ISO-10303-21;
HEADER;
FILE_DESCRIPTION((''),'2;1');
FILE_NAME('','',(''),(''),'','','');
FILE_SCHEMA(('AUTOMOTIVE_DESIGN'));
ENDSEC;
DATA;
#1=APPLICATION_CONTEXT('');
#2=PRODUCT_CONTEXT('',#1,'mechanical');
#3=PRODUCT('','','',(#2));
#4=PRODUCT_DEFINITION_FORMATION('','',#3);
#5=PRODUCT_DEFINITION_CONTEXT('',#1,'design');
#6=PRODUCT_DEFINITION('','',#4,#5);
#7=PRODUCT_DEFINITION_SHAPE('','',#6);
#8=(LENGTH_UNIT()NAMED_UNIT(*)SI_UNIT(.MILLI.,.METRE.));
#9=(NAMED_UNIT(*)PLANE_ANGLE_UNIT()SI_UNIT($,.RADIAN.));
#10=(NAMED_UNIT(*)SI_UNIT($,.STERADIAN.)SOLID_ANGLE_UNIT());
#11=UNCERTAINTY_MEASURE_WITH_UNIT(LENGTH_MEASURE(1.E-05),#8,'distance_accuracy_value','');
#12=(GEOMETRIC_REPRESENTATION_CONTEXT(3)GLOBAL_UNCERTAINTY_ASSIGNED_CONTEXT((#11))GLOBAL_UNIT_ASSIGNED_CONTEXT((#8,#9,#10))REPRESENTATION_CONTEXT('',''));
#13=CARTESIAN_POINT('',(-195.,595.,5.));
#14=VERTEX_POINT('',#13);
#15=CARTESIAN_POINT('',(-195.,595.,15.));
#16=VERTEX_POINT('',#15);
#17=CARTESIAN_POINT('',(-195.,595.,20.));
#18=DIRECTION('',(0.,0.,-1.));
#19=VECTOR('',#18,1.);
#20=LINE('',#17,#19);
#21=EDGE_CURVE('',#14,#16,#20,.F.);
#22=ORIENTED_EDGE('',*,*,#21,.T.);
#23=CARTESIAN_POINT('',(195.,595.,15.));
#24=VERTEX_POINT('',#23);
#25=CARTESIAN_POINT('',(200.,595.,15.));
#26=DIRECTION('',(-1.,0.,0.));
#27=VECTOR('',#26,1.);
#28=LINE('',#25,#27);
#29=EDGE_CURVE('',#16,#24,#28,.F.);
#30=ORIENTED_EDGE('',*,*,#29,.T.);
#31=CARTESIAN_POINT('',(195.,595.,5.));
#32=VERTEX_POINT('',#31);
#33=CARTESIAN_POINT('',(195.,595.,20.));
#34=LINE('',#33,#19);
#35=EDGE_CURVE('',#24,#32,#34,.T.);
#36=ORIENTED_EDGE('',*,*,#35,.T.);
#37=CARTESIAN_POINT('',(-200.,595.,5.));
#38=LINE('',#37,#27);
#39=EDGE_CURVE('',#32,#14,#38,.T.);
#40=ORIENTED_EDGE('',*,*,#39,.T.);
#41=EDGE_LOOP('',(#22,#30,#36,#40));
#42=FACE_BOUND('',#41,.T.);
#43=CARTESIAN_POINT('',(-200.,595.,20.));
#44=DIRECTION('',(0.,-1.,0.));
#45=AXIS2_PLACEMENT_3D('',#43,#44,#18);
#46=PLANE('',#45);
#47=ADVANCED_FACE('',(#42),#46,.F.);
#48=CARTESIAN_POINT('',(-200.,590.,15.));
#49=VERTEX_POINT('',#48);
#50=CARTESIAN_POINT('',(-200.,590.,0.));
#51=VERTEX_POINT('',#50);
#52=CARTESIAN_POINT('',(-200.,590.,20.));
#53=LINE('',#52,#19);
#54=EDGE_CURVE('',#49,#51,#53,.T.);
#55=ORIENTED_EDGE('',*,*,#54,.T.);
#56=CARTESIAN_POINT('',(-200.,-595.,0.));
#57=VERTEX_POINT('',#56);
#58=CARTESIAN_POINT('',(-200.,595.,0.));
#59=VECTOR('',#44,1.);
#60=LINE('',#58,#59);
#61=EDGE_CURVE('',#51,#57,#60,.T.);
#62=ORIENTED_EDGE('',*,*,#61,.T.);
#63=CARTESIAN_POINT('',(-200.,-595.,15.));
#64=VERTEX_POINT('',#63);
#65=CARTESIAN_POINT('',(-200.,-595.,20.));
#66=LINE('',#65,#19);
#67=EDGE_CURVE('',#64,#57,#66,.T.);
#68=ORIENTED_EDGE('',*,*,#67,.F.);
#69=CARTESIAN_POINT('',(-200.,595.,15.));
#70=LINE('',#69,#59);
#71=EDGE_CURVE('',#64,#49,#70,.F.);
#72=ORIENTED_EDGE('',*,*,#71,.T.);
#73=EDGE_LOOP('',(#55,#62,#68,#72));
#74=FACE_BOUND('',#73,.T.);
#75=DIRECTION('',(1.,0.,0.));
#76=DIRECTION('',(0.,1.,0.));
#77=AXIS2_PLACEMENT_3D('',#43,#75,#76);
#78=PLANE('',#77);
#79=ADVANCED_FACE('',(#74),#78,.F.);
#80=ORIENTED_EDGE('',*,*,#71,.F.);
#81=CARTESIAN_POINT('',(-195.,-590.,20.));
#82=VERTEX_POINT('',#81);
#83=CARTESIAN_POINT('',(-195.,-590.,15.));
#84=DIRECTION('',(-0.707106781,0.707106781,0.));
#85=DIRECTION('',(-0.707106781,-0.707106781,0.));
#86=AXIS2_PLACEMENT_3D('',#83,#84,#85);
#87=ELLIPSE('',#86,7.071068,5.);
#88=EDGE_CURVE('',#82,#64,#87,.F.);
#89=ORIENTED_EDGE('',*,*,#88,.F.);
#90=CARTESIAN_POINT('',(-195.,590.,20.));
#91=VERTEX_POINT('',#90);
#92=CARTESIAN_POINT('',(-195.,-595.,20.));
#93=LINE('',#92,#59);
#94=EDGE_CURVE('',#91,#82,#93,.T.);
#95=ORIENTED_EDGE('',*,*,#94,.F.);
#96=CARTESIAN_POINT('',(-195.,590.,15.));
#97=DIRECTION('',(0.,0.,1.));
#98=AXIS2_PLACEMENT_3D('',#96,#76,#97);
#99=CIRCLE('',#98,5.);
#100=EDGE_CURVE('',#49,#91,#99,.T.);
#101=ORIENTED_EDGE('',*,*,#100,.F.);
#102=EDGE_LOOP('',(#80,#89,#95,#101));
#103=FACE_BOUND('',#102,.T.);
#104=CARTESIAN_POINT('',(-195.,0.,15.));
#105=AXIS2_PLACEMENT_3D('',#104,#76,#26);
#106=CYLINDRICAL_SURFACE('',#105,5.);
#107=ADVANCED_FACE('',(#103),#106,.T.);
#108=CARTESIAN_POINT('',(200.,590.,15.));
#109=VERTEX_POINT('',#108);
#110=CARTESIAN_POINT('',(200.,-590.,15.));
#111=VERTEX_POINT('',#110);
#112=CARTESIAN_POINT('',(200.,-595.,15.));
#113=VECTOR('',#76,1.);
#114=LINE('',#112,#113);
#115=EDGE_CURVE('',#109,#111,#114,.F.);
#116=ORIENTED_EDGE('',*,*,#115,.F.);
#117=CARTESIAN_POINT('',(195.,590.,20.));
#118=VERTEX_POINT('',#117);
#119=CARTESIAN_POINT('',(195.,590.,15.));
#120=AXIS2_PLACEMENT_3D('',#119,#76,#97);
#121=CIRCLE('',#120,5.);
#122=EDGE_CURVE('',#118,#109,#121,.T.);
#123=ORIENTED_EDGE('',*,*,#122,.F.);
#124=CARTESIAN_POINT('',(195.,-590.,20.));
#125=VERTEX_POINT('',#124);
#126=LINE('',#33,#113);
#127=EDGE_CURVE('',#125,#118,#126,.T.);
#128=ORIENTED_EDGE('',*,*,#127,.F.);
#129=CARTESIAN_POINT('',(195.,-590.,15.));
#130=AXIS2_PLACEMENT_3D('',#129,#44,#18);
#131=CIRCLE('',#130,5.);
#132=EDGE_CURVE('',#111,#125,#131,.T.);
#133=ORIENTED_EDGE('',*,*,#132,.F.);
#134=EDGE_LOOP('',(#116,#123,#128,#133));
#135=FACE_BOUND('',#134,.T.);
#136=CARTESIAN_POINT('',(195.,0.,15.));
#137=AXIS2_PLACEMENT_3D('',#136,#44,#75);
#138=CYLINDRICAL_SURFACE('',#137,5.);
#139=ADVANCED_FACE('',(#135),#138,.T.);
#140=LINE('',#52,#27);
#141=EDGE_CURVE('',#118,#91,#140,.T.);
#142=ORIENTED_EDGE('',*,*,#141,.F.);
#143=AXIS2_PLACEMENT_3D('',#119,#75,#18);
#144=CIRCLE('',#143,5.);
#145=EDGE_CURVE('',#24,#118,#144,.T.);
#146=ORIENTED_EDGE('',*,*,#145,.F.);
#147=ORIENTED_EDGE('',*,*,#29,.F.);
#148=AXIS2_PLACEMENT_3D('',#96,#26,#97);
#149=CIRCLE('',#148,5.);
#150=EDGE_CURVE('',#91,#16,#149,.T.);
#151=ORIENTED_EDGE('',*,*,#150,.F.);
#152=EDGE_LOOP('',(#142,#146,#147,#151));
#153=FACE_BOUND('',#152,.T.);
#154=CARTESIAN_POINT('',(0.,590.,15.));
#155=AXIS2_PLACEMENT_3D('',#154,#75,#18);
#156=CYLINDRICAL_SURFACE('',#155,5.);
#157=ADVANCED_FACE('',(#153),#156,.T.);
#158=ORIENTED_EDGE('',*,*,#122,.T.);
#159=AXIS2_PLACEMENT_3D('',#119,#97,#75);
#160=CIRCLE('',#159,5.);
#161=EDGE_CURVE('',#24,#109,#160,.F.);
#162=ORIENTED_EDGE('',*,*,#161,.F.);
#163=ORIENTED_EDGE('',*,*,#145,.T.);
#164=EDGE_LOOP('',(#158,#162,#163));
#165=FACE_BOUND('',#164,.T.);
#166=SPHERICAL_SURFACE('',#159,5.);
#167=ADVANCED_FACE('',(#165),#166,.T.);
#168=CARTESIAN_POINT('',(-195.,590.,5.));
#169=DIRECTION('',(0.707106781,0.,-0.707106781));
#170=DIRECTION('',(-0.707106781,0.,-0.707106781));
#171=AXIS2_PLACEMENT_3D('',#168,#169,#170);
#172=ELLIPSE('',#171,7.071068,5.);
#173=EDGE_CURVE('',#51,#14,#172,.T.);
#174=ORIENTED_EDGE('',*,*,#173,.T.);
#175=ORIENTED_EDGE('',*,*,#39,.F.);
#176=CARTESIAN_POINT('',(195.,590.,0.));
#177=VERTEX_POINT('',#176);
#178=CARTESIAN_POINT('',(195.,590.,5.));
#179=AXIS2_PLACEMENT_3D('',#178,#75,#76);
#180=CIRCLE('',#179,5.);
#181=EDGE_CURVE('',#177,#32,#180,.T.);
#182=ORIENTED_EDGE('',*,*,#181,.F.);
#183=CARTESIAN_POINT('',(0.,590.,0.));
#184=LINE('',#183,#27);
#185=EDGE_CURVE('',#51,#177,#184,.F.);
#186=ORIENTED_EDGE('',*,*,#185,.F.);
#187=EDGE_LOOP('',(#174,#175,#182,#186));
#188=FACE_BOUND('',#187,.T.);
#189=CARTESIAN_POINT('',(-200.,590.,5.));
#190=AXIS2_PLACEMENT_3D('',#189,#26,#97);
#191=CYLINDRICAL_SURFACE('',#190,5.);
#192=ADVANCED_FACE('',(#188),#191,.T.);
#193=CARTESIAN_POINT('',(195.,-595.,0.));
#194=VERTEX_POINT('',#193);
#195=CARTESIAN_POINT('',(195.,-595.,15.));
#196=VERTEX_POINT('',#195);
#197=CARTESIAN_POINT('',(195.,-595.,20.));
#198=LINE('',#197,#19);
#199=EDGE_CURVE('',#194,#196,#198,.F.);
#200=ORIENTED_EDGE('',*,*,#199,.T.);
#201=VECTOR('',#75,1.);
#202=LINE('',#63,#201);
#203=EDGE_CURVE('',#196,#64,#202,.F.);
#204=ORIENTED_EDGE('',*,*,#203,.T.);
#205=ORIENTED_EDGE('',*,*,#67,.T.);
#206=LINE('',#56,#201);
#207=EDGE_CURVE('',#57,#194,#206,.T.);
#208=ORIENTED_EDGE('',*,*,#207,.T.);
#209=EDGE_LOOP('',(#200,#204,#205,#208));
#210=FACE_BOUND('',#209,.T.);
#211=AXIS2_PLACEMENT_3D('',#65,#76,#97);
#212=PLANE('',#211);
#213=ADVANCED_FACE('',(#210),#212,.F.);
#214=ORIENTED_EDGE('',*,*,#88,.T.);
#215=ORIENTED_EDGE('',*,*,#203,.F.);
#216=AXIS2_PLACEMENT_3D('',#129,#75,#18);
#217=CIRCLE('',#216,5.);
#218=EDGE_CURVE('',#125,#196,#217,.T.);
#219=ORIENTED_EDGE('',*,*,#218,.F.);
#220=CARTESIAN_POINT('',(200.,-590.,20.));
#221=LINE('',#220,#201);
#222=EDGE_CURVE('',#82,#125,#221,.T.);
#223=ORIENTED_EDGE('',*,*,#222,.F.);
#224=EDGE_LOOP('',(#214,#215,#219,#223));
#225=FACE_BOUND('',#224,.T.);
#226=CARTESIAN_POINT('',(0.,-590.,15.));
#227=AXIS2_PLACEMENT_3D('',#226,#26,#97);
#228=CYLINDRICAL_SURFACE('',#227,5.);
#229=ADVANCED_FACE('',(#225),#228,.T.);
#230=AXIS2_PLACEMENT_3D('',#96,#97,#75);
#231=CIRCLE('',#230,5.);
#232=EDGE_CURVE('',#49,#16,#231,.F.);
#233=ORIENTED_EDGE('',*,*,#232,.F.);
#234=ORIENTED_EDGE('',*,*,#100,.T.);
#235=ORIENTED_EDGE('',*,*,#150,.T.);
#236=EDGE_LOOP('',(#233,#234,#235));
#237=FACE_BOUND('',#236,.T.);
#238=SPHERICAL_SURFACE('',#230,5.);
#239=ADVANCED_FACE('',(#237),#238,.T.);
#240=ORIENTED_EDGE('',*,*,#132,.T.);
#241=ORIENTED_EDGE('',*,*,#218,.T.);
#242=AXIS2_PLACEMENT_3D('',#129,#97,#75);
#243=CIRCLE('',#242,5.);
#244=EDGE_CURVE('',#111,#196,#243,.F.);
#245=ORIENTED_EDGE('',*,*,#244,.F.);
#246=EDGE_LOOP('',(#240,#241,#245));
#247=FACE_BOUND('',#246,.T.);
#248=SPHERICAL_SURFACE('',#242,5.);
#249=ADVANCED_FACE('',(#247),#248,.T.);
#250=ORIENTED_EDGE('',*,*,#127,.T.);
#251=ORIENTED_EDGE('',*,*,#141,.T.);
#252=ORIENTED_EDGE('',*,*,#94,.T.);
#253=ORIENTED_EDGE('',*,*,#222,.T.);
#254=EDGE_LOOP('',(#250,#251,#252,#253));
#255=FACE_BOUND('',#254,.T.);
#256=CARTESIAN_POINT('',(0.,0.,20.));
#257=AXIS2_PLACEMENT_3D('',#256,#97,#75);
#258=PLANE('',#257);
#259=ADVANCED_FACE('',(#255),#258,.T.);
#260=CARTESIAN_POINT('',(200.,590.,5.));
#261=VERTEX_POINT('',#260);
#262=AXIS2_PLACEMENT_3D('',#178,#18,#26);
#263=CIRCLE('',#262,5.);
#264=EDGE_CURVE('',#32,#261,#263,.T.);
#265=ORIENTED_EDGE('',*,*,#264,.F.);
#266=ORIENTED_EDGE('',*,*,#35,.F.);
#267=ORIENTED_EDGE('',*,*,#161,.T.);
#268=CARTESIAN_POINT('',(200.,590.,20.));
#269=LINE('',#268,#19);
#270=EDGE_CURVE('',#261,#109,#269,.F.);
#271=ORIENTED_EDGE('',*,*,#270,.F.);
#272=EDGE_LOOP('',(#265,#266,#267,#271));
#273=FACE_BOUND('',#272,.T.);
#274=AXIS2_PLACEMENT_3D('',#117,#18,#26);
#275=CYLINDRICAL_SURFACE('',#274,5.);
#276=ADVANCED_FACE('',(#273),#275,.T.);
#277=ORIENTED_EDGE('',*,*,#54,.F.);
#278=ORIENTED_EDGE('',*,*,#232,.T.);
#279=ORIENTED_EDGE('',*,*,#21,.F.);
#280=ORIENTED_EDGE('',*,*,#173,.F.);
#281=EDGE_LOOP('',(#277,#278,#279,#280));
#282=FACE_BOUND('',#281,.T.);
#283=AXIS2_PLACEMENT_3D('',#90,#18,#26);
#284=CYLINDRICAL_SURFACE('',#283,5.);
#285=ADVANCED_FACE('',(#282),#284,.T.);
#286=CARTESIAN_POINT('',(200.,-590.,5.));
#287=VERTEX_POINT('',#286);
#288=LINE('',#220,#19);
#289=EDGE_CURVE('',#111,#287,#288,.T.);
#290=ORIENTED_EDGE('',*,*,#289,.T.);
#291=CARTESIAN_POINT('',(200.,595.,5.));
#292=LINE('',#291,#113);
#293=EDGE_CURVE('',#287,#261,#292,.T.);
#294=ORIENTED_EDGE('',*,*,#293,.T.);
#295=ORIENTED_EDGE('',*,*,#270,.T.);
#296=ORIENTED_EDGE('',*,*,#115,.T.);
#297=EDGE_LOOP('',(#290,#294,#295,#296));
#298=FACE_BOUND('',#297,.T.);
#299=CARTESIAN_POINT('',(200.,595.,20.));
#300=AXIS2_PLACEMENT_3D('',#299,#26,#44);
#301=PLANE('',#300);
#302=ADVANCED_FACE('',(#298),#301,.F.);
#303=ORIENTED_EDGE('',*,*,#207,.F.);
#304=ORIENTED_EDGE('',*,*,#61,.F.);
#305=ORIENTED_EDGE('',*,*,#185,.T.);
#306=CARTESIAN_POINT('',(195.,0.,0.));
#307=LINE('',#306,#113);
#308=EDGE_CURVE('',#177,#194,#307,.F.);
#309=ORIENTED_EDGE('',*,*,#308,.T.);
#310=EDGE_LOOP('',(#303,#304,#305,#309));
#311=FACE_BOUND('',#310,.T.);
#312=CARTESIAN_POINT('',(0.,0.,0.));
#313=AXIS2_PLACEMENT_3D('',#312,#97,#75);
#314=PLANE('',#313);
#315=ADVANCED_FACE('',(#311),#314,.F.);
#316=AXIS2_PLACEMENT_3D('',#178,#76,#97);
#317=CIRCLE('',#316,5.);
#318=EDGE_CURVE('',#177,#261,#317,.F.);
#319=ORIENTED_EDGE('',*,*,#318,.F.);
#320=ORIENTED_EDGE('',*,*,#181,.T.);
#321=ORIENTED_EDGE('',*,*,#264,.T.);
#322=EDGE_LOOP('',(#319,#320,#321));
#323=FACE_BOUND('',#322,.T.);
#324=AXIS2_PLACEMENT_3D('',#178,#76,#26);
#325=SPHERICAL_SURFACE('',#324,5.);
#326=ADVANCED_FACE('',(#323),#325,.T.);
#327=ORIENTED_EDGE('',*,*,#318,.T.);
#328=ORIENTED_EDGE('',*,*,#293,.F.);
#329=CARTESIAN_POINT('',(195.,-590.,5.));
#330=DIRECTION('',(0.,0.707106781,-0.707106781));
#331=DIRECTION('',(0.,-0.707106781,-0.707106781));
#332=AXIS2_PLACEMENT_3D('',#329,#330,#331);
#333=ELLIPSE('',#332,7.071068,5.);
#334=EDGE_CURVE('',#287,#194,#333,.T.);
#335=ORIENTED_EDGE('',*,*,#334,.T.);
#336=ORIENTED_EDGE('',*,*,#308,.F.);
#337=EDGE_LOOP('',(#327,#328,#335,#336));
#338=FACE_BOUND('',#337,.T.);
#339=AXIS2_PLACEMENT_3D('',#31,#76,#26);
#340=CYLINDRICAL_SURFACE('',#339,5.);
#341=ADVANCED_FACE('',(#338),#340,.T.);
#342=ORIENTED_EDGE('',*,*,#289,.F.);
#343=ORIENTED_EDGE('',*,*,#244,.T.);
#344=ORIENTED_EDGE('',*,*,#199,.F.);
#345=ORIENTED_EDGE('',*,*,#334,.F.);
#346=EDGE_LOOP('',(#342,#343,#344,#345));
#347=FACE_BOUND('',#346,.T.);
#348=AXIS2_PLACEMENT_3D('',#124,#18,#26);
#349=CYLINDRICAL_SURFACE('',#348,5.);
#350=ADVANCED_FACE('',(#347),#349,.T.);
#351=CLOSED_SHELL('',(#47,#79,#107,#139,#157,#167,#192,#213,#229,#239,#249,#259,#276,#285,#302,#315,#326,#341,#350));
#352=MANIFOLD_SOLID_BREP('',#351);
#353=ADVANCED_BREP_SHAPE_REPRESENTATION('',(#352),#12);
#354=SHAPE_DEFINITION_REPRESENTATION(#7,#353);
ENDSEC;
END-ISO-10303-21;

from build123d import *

# Parameters (mm, degrees)
SKETCH1_W           = 400
SKETCH1_H           = 1190
BOSS_EXTRUDE1_DEPTH = 20
FILLET1_R           = 5


with BuildPart() as part:
    # Sketch1 → Boss-Extrude1 (new body)
    with BuildSketch(Plane.XY):
        Rectangle(SKETCH1_W, SKETCH1_H)
    extrude(amount=BOSS_EXTRUDE1_DEPTH)

    # Fillet1
    fillet1_edges = [part.edges().sort_by_distance(p)[0] for p in [
        (-200, 0, 20),
        (0, -595, 20),
        (200, 0, 20),
        (0, 595, 0),
        (200, 0, 0),
        (200, -595, 10),
        (-200, 595, 10),
        (200, 595, 10),
        (0, 595, 20),
    ]]
    fillet(fillet1_edges, radius=FILLET1_R)


solid = part.part
